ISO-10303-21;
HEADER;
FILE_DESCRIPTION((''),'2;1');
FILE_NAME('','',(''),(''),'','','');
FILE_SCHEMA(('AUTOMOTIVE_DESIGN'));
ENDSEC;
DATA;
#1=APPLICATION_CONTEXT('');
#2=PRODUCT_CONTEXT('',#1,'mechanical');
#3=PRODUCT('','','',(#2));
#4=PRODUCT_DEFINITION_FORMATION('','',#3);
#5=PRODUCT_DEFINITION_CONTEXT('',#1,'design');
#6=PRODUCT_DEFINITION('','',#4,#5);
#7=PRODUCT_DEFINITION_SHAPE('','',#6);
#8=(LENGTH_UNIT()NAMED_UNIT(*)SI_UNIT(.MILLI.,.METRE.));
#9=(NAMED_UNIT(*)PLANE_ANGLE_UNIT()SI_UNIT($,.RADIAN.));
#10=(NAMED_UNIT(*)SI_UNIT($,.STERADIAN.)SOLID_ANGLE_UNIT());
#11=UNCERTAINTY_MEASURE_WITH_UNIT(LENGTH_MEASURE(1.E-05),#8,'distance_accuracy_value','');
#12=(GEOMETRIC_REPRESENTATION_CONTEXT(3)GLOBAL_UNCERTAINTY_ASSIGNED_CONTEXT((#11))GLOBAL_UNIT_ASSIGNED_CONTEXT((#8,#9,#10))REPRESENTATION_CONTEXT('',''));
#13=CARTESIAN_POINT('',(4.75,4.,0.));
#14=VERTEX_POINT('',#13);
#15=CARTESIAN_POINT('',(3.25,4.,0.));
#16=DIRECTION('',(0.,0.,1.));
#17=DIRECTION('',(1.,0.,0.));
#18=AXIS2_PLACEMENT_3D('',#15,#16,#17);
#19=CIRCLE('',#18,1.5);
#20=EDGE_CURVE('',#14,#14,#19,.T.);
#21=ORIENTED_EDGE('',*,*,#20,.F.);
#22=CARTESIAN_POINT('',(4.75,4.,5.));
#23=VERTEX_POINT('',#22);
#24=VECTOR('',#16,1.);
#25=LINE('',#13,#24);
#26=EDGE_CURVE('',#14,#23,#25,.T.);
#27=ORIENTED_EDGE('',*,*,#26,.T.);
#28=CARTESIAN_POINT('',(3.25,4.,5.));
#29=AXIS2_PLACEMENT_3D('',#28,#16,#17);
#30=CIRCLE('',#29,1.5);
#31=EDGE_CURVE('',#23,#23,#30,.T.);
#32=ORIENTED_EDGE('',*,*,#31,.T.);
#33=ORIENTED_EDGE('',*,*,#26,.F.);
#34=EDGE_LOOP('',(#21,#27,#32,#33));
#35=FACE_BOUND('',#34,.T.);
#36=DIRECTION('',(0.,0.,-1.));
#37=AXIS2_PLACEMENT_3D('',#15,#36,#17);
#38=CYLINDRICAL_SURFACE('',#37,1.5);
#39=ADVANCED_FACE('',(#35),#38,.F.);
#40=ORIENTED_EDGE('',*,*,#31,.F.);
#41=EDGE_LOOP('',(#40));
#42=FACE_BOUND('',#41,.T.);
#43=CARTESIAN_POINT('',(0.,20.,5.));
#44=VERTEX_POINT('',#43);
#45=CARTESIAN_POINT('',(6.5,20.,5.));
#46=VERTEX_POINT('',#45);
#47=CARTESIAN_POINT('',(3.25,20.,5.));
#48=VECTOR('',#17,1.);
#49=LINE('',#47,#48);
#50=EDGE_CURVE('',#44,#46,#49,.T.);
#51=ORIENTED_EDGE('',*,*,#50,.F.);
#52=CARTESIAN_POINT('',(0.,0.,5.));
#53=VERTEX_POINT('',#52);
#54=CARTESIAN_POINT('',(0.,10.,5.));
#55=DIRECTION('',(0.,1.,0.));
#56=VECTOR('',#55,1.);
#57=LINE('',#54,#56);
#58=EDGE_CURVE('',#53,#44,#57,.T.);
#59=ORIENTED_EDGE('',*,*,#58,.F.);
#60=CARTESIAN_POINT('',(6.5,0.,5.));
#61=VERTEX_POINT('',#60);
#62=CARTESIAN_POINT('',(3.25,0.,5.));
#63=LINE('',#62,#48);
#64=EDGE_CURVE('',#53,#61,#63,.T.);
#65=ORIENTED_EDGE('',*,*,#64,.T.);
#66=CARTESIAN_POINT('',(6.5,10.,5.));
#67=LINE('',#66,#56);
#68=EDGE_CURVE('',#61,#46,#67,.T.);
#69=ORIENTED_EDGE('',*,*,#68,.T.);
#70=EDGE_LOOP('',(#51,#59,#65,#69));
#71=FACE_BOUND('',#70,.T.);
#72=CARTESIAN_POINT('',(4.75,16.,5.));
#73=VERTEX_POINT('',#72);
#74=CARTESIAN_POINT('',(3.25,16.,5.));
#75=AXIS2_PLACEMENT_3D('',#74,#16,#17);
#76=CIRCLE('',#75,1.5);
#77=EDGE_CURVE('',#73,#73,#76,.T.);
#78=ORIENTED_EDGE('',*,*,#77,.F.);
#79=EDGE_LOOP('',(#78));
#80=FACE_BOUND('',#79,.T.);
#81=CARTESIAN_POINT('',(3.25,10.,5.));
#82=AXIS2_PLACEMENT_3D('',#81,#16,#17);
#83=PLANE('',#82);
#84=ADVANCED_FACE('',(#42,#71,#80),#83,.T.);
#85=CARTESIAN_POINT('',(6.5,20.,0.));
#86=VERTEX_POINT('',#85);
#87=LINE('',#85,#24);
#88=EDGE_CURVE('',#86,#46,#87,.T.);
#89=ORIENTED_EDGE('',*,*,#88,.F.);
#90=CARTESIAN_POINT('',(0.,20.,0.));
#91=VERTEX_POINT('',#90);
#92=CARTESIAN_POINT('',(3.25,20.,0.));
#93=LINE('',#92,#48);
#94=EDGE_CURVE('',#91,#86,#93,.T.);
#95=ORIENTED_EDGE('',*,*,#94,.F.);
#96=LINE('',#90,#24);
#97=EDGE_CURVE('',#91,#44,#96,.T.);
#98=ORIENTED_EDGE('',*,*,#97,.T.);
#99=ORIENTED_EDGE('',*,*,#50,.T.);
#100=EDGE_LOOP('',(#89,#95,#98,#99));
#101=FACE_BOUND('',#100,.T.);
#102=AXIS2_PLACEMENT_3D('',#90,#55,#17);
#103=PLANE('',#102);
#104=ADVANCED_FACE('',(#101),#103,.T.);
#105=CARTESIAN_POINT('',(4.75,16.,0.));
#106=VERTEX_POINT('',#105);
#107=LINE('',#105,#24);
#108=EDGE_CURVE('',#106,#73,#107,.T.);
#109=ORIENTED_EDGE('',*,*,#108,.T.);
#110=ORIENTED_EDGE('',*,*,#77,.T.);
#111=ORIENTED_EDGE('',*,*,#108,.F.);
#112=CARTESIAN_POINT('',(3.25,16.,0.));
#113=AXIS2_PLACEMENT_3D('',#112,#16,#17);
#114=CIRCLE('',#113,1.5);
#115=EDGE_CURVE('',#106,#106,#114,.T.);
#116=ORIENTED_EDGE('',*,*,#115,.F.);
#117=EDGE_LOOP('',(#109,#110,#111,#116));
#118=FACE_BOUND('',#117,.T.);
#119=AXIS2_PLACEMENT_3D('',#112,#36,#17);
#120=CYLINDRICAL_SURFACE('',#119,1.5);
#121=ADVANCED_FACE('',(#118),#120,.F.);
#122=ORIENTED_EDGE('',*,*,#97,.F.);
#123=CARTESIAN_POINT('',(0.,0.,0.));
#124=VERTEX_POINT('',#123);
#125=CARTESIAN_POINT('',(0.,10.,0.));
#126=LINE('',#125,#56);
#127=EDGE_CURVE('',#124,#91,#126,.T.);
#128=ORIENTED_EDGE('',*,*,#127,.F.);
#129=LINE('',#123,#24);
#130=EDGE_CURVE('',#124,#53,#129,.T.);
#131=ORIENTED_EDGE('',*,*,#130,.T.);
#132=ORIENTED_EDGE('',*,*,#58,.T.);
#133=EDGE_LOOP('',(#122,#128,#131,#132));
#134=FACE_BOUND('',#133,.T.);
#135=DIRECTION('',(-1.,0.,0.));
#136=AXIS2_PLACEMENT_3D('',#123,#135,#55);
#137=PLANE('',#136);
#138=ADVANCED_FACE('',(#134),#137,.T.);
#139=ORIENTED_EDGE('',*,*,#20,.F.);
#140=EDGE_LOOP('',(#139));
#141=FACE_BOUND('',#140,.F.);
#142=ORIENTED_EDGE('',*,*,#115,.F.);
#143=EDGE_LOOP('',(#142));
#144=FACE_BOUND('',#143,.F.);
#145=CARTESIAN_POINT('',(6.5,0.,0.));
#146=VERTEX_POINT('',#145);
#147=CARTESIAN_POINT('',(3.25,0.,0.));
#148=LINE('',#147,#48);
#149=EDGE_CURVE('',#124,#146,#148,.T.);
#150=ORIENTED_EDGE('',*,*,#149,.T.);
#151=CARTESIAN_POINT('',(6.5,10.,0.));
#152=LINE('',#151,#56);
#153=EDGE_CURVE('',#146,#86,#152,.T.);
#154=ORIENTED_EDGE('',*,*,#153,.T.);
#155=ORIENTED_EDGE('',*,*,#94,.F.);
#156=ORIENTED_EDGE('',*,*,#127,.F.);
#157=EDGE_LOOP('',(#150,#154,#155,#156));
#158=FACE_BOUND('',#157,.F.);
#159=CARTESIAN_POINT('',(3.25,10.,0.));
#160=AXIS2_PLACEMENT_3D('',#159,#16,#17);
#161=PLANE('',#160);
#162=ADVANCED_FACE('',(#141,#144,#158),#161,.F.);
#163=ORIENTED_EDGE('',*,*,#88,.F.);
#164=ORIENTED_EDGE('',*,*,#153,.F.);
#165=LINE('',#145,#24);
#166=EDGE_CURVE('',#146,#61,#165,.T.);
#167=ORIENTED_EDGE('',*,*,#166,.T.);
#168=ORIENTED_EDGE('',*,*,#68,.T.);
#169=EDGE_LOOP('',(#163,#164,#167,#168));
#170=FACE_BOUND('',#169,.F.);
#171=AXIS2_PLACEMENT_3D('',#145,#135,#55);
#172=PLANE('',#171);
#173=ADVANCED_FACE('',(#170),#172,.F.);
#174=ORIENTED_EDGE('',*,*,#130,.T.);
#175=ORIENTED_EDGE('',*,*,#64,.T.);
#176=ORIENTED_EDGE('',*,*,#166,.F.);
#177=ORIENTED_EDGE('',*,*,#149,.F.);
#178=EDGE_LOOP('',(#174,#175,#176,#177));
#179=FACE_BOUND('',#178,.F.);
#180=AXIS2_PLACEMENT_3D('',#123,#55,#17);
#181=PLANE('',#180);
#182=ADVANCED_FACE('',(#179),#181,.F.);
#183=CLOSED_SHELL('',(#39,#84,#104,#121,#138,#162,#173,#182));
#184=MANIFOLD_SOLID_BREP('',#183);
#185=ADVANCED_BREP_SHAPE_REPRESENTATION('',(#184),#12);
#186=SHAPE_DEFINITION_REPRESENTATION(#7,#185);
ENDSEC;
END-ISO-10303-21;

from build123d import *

# Parameters (mm, degrees)
SKETCH_W  = 6.5
SKETCH_H  = 20
SKETCH_R  = 1.5
PAD_DEPTH = 5


with BuildPart() as part:
    # Sketch → Pad (new body)
    with BuildSketch(Plane.XY):
        with Locations((3.25, 10)):
            Rectangle(SKETCH_W, SKETCH_H)
        with Locations((3.25, 16)):
            Circle(SKETCH_R, mode=Mode.SUBTRACT)
        with Locations((3.25, 4)):
            Circle(SKETCH_R, mode=Mode.SUBTRACT)
    extrude(amount=PAD_DEPTH)


solid = part.part
